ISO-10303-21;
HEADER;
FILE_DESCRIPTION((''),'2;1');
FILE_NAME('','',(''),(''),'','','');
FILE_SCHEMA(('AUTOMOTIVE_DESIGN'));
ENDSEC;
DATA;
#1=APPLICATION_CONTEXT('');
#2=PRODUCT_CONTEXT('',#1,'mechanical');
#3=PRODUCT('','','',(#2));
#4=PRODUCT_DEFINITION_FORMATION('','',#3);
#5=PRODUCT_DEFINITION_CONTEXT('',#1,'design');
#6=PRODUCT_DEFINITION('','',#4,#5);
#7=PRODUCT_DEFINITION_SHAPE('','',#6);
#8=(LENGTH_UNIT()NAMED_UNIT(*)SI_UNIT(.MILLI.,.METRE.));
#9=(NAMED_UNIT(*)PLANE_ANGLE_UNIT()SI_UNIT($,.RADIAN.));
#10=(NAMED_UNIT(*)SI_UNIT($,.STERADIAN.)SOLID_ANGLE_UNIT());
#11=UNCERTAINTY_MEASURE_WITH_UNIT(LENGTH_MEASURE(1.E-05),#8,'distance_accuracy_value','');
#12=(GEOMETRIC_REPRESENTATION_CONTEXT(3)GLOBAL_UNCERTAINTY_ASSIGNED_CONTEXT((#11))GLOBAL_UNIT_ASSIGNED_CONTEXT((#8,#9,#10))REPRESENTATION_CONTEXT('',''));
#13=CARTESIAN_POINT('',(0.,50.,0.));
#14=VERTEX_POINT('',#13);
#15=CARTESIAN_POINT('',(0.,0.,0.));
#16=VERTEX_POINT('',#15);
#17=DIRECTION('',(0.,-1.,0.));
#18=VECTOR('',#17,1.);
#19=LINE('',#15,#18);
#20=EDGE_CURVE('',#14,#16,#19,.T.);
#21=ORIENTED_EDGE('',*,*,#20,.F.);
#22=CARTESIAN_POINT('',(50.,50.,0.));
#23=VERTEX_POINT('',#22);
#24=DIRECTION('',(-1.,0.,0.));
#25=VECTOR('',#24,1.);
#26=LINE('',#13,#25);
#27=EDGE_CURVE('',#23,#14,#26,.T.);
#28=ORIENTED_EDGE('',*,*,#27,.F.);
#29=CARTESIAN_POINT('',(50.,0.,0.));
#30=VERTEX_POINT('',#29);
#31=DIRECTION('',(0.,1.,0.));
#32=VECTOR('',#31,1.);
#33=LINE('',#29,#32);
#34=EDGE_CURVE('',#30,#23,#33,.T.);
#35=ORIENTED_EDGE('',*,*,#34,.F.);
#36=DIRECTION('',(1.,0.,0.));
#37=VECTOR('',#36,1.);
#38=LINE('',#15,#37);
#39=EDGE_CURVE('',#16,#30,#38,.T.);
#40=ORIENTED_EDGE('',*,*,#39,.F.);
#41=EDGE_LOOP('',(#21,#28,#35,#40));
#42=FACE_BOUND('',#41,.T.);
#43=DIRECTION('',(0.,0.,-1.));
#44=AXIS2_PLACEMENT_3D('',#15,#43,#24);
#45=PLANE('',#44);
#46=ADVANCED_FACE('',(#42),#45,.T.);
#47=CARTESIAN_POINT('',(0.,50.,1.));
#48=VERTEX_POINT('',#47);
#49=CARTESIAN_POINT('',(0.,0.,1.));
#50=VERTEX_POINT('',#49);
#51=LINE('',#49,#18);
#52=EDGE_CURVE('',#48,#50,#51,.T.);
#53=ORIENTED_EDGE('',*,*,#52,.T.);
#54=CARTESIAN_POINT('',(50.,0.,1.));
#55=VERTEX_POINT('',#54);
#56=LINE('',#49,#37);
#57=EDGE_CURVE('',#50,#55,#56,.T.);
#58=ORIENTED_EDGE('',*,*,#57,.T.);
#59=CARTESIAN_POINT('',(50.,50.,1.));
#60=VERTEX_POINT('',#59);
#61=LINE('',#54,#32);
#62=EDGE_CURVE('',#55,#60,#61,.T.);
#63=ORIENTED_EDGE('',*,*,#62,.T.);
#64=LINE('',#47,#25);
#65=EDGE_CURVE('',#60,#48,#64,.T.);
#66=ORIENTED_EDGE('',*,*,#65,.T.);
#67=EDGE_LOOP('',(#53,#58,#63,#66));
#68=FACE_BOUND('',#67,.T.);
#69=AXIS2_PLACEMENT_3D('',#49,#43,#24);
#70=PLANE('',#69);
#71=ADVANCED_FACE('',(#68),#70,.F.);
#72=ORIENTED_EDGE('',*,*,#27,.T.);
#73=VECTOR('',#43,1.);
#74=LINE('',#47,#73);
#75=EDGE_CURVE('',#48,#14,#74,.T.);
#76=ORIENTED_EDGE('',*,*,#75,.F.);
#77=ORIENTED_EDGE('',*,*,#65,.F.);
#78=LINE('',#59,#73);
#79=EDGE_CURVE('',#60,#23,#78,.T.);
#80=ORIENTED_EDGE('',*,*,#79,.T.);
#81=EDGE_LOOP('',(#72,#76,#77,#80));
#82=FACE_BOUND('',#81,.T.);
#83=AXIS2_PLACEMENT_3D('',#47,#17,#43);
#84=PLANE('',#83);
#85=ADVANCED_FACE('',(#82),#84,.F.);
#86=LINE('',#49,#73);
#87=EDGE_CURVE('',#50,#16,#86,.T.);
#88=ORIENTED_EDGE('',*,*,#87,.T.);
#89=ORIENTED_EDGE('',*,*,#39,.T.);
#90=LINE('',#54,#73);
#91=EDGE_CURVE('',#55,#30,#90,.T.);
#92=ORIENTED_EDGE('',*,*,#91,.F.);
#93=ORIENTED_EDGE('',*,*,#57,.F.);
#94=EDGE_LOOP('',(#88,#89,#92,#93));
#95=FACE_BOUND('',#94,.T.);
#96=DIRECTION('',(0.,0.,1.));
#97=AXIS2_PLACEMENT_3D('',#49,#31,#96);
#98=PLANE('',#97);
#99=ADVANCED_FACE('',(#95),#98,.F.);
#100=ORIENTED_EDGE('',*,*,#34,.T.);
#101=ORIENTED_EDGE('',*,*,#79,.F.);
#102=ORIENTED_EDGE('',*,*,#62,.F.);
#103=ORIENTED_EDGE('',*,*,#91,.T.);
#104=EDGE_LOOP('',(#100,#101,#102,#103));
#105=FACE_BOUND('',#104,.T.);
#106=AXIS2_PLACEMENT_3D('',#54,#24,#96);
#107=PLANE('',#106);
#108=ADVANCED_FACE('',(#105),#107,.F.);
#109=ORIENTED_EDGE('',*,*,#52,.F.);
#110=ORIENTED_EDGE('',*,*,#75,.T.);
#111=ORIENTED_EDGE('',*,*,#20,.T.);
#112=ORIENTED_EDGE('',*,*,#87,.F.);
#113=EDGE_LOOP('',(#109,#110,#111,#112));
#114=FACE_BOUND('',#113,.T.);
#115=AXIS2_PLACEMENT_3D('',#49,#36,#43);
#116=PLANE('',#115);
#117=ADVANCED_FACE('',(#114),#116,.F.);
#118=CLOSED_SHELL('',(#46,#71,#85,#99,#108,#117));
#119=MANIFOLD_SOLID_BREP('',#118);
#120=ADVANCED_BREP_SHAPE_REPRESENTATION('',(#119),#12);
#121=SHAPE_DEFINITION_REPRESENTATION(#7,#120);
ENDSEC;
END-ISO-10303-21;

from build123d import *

# Parameters (mm, degrees)
SKETCH1_W           = 50
SKETCH1_H           = 50
BOSS_EXTRUDE1_DEPTH = 1


with BuildPart() as part:
    # Sketch1 → Boss-Extrude1 (new body)
    with BuildSketch(Plane.XY):
        with Locations((25, 25)):
            Rectangle(SKETCH1_W, SKETCH1_H)
    extrude(amount=BOSS_EXTRUDE1_DEPTH)


solid = part.part
